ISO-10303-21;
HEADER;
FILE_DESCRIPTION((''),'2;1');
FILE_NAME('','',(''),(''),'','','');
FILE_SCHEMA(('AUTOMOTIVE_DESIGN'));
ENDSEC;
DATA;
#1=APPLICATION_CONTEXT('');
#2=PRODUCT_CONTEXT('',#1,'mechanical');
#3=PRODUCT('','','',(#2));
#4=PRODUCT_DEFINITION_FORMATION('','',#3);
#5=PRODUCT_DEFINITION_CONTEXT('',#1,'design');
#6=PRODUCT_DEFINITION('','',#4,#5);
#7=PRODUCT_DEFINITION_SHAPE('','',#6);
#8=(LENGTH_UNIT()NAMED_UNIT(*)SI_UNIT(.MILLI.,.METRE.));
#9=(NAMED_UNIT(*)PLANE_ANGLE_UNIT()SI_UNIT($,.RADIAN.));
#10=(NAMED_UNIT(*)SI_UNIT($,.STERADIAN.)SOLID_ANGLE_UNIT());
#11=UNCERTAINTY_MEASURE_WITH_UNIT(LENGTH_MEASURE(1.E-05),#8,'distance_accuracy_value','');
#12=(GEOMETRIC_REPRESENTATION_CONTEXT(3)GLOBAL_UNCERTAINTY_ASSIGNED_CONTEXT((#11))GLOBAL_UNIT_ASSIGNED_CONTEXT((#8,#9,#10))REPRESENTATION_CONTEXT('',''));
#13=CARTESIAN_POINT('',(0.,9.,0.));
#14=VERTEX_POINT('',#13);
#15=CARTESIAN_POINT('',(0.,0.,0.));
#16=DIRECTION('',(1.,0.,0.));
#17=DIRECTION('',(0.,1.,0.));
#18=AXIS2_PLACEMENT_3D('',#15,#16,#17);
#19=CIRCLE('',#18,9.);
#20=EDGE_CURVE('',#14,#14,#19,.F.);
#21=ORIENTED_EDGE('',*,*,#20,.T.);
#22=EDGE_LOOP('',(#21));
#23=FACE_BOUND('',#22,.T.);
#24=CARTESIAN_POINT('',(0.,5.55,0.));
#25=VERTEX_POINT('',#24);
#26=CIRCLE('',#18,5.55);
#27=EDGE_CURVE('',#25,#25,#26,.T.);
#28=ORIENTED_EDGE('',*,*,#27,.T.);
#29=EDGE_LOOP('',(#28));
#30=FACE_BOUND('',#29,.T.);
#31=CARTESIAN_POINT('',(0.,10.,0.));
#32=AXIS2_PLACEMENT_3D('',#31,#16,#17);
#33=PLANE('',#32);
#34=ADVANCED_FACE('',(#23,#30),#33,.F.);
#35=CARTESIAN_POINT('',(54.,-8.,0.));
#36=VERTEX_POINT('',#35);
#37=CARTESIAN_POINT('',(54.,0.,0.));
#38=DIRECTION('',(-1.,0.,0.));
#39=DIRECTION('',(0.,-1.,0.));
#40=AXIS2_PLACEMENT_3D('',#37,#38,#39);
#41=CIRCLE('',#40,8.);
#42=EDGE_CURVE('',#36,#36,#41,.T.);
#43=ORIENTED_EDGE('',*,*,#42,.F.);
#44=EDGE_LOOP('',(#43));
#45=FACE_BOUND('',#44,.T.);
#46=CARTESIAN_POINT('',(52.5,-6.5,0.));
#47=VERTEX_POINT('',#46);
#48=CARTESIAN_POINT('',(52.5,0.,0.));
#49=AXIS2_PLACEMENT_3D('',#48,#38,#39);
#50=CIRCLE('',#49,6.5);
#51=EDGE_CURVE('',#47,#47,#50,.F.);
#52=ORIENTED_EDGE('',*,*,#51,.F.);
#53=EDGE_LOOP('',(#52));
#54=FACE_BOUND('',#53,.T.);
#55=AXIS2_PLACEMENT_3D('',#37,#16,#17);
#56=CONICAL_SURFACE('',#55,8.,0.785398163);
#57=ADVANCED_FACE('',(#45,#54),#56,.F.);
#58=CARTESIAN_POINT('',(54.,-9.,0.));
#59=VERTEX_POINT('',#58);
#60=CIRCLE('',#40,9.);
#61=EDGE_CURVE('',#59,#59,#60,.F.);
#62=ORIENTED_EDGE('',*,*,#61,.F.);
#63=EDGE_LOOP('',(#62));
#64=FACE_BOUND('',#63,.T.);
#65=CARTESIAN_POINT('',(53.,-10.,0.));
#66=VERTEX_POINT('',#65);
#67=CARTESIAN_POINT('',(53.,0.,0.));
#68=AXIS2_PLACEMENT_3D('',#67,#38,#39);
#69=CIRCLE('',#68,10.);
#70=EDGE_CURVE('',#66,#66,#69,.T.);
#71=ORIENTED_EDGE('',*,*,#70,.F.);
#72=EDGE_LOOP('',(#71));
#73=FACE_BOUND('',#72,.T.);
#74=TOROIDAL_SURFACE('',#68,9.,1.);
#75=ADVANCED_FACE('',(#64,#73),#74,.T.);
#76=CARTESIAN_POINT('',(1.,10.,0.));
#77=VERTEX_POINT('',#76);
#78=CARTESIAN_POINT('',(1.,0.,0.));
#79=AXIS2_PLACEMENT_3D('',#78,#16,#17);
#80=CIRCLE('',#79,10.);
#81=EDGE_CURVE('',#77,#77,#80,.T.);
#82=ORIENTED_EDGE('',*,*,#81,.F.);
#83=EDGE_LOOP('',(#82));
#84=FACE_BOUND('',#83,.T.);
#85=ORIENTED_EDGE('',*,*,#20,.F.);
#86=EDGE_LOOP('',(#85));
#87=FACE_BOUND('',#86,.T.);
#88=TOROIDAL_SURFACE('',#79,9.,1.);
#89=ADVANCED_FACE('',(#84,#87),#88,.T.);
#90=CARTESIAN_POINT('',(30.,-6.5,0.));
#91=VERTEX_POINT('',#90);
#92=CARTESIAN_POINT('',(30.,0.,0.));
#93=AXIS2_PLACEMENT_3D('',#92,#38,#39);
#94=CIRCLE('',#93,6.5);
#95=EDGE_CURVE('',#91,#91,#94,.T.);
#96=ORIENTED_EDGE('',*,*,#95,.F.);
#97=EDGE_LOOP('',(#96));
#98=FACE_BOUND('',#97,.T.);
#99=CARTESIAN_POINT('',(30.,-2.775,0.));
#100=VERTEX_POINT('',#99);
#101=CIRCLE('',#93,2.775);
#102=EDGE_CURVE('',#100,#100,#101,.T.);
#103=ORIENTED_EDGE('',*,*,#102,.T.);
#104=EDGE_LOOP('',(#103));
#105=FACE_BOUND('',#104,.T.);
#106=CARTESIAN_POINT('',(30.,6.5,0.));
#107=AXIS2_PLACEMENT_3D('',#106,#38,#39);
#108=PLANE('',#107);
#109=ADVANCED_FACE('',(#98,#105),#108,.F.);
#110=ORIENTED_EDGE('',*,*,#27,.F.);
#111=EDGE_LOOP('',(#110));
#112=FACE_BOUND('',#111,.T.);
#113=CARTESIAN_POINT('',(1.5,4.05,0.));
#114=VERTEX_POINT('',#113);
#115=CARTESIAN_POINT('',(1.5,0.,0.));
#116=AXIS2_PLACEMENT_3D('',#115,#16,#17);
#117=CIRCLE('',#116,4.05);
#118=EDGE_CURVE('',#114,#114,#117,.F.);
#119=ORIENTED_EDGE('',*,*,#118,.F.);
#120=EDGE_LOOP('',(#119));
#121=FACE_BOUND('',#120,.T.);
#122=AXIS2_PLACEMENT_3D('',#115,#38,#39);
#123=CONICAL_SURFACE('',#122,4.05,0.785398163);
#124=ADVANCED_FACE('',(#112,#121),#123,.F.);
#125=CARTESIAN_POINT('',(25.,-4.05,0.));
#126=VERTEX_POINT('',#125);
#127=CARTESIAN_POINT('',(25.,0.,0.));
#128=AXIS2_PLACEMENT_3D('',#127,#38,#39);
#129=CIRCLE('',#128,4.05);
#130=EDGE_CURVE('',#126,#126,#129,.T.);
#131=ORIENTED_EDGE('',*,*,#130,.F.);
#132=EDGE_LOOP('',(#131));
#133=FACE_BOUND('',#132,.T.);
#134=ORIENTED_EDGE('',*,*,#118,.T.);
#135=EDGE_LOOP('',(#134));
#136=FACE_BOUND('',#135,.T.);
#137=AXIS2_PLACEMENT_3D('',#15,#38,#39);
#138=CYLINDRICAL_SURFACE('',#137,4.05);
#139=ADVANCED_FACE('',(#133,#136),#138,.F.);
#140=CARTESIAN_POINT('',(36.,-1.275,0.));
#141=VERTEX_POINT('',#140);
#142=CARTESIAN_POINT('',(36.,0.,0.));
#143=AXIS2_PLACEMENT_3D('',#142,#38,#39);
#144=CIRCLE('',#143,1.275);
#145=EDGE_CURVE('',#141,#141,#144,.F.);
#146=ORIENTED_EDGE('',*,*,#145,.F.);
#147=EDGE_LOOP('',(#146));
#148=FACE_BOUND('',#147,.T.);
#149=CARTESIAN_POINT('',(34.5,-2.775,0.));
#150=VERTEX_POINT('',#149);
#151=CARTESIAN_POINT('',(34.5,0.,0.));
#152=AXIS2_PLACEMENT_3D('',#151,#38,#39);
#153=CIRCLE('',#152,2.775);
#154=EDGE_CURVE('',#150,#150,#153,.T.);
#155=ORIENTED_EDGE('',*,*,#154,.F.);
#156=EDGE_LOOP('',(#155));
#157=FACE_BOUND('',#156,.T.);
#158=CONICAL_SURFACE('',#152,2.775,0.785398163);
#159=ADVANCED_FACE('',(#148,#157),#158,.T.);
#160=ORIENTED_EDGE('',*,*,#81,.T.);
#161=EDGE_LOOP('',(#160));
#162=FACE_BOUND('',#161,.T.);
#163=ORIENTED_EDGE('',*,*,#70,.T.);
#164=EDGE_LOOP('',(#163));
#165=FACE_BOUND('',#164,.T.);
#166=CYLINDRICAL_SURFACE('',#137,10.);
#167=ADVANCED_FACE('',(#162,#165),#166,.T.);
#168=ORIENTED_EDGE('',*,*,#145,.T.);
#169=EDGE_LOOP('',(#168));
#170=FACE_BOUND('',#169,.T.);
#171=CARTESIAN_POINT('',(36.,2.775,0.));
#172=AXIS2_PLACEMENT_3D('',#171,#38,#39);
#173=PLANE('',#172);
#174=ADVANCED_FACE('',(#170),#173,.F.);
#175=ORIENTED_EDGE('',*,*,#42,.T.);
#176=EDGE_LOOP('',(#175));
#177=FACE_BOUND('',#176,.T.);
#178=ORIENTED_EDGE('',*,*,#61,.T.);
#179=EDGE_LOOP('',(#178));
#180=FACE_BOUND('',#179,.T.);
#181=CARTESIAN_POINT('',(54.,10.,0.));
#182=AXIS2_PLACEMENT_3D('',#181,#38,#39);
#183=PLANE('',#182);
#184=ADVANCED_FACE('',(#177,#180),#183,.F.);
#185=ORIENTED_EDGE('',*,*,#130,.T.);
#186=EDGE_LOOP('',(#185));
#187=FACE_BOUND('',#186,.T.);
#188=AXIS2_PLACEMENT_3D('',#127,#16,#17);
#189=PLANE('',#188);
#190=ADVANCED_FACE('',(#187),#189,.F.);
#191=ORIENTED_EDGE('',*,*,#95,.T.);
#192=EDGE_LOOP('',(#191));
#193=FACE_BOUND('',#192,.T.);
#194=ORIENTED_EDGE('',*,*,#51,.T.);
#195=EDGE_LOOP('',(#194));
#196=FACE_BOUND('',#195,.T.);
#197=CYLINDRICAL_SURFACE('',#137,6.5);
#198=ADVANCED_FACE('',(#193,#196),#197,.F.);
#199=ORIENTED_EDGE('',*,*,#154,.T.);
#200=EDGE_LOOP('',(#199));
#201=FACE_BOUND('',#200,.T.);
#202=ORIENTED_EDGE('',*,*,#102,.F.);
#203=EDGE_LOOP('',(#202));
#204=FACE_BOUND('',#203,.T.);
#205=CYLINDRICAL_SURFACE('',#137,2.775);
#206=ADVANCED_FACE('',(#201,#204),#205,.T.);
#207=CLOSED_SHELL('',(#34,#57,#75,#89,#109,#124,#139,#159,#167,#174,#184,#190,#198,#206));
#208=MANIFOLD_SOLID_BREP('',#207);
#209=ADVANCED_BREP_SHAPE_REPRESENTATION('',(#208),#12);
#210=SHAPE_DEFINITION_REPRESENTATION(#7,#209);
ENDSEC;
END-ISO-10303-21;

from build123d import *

# Parameters (mm, degrees)
CHAMFER1_SIZE = 1.5
FILLET1_R     = 1


with BuildPart() as part:
    # Sketch1 → Revolve1 (revolve)
    with BuildSketch(Plane.XY, mode=Mode.PRIVATE) as revolve1_sk:
        Polygon((25, 4.05), (0, 4.05), (0, 10), (54, 10), (54, 6.5), (30, 6.5), (30, 2.775), (36, 2.775), (36, 0), (25, 0), align=None)
    revolve(revolve1_sk.sketch.rotate(Axis((0, 0, 0), (1, 0, 0)), 180), axis=Axis((0, 0, 0), (1, 0, 0)))

    # Chamfer1
    chamfer1_edges = [part.edges().sort_by_distance(p)[0] for p in [
        (0, 4.05, 0),
        (36, 2.775, 0),
        (54, 6.5, 0),
    ]]
    chamfer(chamfer1_edges, length=CHAMFER1_SIZE)

    # Fillet1
    fillet1_edges = [part.edges().sort_by_distance(p)[0] for p in [
        (54, 10, 0),
        (0, 10, 0),
    ]]
    fillet(fillet1_edges, radius=FILLET1_R)


solid = part.part
